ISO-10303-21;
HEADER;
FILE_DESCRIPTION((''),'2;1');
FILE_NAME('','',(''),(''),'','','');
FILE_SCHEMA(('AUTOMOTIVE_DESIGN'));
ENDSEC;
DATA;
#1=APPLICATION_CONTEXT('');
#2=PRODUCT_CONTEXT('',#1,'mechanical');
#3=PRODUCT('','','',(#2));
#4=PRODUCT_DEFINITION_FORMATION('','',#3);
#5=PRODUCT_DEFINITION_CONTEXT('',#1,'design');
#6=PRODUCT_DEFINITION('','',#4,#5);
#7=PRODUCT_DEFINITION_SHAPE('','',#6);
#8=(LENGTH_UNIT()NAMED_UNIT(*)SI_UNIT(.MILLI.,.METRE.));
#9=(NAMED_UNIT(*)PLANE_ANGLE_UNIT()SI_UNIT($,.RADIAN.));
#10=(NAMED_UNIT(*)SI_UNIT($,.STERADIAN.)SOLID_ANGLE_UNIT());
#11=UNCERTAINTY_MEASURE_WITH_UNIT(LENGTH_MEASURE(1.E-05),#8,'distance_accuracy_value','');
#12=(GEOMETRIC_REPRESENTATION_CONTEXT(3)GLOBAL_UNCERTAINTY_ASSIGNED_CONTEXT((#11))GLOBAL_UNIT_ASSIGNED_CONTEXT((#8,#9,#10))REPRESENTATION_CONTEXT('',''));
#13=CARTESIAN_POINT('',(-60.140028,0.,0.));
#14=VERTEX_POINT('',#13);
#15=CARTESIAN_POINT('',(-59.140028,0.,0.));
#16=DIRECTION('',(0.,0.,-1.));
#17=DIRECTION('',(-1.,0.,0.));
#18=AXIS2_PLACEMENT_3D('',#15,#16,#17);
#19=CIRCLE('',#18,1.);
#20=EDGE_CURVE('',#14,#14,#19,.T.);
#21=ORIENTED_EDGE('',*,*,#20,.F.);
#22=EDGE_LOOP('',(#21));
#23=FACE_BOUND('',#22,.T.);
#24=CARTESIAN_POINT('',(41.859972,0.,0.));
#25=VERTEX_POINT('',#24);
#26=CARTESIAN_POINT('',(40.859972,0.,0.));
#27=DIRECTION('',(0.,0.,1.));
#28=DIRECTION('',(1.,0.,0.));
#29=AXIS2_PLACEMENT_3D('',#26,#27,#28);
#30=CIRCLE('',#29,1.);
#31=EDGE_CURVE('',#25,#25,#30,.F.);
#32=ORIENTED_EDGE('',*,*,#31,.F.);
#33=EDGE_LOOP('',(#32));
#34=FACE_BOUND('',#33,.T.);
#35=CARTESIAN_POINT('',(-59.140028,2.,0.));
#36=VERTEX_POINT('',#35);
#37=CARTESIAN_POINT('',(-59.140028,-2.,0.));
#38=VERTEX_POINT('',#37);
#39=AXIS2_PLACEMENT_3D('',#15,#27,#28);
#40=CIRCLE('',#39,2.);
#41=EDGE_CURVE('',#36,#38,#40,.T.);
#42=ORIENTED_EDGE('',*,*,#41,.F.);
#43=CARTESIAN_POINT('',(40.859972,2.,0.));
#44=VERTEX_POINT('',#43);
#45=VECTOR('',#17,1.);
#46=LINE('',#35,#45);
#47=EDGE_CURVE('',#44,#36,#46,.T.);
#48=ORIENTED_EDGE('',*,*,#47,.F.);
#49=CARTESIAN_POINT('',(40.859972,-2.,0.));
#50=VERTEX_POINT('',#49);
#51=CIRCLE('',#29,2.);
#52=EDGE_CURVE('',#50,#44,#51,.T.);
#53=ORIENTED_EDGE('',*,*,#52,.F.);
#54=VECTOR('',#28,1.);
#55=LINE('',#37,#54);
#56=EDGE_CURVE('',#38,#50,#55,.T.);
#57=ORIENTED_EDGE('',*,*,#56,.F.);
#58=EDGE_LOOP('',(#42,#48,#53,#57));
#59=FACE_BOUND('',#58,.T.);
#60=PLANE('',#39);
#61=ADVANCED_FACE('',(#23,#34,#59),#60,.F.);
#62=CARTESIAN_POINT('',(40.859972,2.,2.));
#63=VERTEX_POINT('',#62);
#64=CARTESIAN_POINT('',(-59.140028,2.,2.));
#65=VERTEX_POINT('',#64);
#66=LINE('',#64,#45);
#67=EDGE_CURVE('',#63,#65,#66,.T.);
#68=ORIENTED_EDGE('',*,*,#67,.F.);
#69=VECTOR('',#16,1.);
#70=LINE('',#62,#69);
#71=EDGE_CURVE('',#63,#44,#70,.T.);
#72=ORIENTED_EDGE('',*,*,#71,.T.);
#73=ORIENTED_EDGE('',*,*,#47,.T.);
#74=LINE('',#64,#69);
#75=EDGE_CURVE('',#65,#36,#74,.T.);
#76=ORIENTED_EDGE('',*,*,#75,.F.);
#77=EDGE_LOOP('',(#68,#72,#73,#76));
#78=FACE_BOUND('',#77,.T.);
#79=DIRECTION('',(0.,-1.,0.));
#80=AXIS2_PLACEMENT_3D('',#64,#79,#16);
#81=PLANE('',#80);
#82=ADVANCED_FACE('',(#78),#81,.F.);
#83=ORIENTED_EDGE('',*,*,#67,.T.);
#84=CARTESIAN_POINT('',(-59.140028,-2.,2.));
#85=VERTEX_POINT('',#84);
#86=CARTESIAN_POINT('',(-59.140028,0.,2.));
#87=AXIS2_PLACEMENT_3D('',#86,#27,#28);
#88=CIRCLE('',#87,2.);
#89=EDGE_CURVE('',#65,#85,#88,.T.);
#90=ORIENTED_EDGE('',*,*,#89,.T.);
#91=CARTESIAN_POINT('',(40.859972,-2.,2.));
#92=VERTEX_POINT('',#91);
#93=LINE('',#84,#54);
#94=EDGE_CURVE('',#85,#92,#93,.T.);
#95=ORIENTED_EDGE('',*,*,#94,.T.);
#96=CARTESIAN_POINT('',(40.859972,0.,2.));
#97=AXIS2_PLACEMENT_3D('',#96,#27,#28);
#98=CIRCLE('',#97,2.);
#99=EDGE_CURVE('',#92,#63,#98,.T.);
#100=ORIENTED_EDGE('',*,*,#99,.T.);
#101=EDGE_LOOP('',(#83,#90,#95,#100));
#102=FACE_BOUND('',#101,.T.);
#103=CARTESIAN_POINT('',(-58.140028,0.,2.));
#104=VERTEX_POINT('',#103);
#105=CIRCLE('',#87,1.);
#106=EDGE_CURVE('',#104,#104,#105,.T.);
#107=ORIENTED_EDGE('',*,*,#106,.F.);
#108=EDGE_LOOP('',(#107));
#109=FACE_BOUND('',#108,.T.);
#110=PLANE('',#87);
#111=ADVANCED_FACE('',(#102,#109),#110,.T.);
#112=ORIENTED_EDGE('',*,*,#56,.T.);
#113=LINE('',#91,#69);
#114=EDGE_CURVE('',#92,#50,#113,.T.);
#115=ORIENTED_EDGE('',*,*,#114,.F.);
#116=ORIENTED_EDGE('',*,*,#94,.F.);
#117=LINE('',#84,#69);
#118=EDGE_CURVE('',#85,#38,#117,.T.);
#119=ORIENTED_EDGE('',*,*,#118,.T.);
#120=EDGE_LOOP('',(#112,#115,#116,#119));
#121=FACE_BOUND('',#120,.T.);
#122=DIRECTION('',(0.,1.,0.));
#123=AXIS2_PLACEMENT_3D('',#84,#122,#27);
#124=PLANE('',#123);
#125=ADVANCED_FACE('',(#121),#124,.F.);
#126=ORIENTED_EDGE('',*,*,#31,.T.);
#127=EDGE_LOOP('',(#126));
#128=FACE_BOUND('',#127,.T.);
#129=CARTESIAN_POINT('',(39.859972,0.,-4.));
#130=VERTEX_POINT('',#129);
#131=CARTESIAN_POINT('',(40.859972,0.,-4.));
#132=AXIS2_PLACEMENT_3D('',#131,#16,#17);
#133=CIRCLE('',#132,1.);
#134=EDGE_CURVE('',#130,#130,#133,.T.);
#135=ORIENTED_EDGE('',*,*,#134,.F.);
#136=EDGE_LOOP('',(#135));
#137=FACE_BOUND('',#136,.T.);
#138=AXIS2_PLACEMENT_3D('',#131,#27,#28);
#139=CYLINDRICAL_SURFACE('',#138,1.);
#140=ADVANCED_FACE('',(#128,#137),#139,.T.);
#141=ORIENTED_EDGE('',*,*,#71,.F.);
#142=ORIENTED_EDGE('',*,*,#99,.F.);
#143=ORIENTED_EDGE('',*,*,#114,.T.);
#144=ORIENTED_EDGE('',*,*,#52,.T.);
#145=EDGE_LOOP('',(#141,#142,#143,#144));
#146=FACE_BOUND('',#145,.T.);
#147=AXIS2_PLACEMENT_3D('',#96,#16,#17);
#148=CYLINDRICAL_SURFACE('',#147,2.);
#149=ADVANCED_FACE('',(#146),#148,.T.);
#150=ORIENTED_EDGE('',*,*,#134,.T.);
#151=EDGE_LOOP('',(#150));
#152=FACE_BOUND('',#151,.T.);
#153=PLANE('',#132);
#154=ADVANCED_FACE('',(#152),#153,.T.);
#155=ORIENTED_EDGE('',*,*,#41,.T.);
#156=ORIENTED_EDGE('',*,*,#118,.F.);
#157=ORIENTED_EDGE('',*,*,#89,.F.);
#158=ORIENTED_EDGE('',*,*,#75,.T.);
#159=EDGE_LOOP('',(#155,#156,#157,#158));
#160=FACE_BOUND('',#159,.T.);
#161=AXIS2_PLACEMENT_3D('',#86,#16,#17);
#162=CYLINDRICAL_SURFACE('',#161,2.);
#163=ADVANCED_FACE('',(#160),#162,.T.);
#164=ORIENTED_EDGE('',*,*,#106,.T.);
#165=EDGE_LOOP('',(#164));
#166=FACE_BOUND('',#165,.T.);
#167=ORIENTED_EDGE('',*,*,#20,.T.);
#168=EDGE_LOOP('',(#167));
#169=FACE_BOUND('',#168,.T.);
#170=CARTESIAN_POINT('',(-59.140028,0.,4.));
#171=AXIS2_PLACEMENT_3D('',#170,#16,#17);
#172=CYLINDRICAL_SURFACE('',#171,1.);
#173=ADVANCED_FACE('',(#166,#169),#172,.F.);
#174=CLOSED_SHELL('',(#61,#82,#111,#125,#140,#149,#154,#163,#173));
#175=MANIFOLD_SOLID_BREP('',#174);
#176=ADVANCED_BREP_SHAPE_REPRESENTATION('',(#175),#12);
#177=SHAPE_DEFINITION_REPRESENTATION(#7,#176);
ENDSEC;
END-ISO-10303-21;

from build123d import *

# Parameters (mm, degrees)
EXTRUDE_1_DEPTH     = 2
SKETCH_2_R          = 1
EXTRUDE_2_DEPTH     = 4
SKETCH_3_R          = 1
CUT_EXTRUDE_1_DEPTH = 4


with BuildPart() as part:
    # 草图1 → 凸台-拉伸1 (new body)
    with BuildSketch(Plane.XY):
        with BuildLine():
            Line((-59.140028095, -2), (40.859971905, -2))
            ThreePointArc((40.859971905, -2), (42.859971905, 0), (40.859971905, 2))
            Line((40.859971905, 2), (-59.140028095, 2))
            ThreePointArc((-59.140028095, 2), (-61.140028095, 0), (-59.140028095, -2))
        make_face()
    extrude(amount=EXTRUDE_1_DEPTH)

    # 草图2 → 凸台-拉伸2 (add)
    with BuildSketch(Plane(origin=(0, 0, 0), x_dir=(-1, 0, 0), z_dir=(0, 0, -1))):
        with Locations((-40.859971905, 0)):
            Circle(SKETCH_2_R)
    extrude(amount=EXTRUDE_2_DEPTH)

    # 草图3 → 切除-拉伸1 (cut)
    with BuildSketch(Plane(origin=(0, 0, 0), x_dir=(-1, 0, 0), z_dir=(0, 0, -1))):
        with Locations((59.140028095, 0)):
            Circle(SKETCH_3_R)
    extrude(amount=-CUT_EXTRUDE_1_DEPTH, mode=Mode.SUBTRACT)


solid = part.part
